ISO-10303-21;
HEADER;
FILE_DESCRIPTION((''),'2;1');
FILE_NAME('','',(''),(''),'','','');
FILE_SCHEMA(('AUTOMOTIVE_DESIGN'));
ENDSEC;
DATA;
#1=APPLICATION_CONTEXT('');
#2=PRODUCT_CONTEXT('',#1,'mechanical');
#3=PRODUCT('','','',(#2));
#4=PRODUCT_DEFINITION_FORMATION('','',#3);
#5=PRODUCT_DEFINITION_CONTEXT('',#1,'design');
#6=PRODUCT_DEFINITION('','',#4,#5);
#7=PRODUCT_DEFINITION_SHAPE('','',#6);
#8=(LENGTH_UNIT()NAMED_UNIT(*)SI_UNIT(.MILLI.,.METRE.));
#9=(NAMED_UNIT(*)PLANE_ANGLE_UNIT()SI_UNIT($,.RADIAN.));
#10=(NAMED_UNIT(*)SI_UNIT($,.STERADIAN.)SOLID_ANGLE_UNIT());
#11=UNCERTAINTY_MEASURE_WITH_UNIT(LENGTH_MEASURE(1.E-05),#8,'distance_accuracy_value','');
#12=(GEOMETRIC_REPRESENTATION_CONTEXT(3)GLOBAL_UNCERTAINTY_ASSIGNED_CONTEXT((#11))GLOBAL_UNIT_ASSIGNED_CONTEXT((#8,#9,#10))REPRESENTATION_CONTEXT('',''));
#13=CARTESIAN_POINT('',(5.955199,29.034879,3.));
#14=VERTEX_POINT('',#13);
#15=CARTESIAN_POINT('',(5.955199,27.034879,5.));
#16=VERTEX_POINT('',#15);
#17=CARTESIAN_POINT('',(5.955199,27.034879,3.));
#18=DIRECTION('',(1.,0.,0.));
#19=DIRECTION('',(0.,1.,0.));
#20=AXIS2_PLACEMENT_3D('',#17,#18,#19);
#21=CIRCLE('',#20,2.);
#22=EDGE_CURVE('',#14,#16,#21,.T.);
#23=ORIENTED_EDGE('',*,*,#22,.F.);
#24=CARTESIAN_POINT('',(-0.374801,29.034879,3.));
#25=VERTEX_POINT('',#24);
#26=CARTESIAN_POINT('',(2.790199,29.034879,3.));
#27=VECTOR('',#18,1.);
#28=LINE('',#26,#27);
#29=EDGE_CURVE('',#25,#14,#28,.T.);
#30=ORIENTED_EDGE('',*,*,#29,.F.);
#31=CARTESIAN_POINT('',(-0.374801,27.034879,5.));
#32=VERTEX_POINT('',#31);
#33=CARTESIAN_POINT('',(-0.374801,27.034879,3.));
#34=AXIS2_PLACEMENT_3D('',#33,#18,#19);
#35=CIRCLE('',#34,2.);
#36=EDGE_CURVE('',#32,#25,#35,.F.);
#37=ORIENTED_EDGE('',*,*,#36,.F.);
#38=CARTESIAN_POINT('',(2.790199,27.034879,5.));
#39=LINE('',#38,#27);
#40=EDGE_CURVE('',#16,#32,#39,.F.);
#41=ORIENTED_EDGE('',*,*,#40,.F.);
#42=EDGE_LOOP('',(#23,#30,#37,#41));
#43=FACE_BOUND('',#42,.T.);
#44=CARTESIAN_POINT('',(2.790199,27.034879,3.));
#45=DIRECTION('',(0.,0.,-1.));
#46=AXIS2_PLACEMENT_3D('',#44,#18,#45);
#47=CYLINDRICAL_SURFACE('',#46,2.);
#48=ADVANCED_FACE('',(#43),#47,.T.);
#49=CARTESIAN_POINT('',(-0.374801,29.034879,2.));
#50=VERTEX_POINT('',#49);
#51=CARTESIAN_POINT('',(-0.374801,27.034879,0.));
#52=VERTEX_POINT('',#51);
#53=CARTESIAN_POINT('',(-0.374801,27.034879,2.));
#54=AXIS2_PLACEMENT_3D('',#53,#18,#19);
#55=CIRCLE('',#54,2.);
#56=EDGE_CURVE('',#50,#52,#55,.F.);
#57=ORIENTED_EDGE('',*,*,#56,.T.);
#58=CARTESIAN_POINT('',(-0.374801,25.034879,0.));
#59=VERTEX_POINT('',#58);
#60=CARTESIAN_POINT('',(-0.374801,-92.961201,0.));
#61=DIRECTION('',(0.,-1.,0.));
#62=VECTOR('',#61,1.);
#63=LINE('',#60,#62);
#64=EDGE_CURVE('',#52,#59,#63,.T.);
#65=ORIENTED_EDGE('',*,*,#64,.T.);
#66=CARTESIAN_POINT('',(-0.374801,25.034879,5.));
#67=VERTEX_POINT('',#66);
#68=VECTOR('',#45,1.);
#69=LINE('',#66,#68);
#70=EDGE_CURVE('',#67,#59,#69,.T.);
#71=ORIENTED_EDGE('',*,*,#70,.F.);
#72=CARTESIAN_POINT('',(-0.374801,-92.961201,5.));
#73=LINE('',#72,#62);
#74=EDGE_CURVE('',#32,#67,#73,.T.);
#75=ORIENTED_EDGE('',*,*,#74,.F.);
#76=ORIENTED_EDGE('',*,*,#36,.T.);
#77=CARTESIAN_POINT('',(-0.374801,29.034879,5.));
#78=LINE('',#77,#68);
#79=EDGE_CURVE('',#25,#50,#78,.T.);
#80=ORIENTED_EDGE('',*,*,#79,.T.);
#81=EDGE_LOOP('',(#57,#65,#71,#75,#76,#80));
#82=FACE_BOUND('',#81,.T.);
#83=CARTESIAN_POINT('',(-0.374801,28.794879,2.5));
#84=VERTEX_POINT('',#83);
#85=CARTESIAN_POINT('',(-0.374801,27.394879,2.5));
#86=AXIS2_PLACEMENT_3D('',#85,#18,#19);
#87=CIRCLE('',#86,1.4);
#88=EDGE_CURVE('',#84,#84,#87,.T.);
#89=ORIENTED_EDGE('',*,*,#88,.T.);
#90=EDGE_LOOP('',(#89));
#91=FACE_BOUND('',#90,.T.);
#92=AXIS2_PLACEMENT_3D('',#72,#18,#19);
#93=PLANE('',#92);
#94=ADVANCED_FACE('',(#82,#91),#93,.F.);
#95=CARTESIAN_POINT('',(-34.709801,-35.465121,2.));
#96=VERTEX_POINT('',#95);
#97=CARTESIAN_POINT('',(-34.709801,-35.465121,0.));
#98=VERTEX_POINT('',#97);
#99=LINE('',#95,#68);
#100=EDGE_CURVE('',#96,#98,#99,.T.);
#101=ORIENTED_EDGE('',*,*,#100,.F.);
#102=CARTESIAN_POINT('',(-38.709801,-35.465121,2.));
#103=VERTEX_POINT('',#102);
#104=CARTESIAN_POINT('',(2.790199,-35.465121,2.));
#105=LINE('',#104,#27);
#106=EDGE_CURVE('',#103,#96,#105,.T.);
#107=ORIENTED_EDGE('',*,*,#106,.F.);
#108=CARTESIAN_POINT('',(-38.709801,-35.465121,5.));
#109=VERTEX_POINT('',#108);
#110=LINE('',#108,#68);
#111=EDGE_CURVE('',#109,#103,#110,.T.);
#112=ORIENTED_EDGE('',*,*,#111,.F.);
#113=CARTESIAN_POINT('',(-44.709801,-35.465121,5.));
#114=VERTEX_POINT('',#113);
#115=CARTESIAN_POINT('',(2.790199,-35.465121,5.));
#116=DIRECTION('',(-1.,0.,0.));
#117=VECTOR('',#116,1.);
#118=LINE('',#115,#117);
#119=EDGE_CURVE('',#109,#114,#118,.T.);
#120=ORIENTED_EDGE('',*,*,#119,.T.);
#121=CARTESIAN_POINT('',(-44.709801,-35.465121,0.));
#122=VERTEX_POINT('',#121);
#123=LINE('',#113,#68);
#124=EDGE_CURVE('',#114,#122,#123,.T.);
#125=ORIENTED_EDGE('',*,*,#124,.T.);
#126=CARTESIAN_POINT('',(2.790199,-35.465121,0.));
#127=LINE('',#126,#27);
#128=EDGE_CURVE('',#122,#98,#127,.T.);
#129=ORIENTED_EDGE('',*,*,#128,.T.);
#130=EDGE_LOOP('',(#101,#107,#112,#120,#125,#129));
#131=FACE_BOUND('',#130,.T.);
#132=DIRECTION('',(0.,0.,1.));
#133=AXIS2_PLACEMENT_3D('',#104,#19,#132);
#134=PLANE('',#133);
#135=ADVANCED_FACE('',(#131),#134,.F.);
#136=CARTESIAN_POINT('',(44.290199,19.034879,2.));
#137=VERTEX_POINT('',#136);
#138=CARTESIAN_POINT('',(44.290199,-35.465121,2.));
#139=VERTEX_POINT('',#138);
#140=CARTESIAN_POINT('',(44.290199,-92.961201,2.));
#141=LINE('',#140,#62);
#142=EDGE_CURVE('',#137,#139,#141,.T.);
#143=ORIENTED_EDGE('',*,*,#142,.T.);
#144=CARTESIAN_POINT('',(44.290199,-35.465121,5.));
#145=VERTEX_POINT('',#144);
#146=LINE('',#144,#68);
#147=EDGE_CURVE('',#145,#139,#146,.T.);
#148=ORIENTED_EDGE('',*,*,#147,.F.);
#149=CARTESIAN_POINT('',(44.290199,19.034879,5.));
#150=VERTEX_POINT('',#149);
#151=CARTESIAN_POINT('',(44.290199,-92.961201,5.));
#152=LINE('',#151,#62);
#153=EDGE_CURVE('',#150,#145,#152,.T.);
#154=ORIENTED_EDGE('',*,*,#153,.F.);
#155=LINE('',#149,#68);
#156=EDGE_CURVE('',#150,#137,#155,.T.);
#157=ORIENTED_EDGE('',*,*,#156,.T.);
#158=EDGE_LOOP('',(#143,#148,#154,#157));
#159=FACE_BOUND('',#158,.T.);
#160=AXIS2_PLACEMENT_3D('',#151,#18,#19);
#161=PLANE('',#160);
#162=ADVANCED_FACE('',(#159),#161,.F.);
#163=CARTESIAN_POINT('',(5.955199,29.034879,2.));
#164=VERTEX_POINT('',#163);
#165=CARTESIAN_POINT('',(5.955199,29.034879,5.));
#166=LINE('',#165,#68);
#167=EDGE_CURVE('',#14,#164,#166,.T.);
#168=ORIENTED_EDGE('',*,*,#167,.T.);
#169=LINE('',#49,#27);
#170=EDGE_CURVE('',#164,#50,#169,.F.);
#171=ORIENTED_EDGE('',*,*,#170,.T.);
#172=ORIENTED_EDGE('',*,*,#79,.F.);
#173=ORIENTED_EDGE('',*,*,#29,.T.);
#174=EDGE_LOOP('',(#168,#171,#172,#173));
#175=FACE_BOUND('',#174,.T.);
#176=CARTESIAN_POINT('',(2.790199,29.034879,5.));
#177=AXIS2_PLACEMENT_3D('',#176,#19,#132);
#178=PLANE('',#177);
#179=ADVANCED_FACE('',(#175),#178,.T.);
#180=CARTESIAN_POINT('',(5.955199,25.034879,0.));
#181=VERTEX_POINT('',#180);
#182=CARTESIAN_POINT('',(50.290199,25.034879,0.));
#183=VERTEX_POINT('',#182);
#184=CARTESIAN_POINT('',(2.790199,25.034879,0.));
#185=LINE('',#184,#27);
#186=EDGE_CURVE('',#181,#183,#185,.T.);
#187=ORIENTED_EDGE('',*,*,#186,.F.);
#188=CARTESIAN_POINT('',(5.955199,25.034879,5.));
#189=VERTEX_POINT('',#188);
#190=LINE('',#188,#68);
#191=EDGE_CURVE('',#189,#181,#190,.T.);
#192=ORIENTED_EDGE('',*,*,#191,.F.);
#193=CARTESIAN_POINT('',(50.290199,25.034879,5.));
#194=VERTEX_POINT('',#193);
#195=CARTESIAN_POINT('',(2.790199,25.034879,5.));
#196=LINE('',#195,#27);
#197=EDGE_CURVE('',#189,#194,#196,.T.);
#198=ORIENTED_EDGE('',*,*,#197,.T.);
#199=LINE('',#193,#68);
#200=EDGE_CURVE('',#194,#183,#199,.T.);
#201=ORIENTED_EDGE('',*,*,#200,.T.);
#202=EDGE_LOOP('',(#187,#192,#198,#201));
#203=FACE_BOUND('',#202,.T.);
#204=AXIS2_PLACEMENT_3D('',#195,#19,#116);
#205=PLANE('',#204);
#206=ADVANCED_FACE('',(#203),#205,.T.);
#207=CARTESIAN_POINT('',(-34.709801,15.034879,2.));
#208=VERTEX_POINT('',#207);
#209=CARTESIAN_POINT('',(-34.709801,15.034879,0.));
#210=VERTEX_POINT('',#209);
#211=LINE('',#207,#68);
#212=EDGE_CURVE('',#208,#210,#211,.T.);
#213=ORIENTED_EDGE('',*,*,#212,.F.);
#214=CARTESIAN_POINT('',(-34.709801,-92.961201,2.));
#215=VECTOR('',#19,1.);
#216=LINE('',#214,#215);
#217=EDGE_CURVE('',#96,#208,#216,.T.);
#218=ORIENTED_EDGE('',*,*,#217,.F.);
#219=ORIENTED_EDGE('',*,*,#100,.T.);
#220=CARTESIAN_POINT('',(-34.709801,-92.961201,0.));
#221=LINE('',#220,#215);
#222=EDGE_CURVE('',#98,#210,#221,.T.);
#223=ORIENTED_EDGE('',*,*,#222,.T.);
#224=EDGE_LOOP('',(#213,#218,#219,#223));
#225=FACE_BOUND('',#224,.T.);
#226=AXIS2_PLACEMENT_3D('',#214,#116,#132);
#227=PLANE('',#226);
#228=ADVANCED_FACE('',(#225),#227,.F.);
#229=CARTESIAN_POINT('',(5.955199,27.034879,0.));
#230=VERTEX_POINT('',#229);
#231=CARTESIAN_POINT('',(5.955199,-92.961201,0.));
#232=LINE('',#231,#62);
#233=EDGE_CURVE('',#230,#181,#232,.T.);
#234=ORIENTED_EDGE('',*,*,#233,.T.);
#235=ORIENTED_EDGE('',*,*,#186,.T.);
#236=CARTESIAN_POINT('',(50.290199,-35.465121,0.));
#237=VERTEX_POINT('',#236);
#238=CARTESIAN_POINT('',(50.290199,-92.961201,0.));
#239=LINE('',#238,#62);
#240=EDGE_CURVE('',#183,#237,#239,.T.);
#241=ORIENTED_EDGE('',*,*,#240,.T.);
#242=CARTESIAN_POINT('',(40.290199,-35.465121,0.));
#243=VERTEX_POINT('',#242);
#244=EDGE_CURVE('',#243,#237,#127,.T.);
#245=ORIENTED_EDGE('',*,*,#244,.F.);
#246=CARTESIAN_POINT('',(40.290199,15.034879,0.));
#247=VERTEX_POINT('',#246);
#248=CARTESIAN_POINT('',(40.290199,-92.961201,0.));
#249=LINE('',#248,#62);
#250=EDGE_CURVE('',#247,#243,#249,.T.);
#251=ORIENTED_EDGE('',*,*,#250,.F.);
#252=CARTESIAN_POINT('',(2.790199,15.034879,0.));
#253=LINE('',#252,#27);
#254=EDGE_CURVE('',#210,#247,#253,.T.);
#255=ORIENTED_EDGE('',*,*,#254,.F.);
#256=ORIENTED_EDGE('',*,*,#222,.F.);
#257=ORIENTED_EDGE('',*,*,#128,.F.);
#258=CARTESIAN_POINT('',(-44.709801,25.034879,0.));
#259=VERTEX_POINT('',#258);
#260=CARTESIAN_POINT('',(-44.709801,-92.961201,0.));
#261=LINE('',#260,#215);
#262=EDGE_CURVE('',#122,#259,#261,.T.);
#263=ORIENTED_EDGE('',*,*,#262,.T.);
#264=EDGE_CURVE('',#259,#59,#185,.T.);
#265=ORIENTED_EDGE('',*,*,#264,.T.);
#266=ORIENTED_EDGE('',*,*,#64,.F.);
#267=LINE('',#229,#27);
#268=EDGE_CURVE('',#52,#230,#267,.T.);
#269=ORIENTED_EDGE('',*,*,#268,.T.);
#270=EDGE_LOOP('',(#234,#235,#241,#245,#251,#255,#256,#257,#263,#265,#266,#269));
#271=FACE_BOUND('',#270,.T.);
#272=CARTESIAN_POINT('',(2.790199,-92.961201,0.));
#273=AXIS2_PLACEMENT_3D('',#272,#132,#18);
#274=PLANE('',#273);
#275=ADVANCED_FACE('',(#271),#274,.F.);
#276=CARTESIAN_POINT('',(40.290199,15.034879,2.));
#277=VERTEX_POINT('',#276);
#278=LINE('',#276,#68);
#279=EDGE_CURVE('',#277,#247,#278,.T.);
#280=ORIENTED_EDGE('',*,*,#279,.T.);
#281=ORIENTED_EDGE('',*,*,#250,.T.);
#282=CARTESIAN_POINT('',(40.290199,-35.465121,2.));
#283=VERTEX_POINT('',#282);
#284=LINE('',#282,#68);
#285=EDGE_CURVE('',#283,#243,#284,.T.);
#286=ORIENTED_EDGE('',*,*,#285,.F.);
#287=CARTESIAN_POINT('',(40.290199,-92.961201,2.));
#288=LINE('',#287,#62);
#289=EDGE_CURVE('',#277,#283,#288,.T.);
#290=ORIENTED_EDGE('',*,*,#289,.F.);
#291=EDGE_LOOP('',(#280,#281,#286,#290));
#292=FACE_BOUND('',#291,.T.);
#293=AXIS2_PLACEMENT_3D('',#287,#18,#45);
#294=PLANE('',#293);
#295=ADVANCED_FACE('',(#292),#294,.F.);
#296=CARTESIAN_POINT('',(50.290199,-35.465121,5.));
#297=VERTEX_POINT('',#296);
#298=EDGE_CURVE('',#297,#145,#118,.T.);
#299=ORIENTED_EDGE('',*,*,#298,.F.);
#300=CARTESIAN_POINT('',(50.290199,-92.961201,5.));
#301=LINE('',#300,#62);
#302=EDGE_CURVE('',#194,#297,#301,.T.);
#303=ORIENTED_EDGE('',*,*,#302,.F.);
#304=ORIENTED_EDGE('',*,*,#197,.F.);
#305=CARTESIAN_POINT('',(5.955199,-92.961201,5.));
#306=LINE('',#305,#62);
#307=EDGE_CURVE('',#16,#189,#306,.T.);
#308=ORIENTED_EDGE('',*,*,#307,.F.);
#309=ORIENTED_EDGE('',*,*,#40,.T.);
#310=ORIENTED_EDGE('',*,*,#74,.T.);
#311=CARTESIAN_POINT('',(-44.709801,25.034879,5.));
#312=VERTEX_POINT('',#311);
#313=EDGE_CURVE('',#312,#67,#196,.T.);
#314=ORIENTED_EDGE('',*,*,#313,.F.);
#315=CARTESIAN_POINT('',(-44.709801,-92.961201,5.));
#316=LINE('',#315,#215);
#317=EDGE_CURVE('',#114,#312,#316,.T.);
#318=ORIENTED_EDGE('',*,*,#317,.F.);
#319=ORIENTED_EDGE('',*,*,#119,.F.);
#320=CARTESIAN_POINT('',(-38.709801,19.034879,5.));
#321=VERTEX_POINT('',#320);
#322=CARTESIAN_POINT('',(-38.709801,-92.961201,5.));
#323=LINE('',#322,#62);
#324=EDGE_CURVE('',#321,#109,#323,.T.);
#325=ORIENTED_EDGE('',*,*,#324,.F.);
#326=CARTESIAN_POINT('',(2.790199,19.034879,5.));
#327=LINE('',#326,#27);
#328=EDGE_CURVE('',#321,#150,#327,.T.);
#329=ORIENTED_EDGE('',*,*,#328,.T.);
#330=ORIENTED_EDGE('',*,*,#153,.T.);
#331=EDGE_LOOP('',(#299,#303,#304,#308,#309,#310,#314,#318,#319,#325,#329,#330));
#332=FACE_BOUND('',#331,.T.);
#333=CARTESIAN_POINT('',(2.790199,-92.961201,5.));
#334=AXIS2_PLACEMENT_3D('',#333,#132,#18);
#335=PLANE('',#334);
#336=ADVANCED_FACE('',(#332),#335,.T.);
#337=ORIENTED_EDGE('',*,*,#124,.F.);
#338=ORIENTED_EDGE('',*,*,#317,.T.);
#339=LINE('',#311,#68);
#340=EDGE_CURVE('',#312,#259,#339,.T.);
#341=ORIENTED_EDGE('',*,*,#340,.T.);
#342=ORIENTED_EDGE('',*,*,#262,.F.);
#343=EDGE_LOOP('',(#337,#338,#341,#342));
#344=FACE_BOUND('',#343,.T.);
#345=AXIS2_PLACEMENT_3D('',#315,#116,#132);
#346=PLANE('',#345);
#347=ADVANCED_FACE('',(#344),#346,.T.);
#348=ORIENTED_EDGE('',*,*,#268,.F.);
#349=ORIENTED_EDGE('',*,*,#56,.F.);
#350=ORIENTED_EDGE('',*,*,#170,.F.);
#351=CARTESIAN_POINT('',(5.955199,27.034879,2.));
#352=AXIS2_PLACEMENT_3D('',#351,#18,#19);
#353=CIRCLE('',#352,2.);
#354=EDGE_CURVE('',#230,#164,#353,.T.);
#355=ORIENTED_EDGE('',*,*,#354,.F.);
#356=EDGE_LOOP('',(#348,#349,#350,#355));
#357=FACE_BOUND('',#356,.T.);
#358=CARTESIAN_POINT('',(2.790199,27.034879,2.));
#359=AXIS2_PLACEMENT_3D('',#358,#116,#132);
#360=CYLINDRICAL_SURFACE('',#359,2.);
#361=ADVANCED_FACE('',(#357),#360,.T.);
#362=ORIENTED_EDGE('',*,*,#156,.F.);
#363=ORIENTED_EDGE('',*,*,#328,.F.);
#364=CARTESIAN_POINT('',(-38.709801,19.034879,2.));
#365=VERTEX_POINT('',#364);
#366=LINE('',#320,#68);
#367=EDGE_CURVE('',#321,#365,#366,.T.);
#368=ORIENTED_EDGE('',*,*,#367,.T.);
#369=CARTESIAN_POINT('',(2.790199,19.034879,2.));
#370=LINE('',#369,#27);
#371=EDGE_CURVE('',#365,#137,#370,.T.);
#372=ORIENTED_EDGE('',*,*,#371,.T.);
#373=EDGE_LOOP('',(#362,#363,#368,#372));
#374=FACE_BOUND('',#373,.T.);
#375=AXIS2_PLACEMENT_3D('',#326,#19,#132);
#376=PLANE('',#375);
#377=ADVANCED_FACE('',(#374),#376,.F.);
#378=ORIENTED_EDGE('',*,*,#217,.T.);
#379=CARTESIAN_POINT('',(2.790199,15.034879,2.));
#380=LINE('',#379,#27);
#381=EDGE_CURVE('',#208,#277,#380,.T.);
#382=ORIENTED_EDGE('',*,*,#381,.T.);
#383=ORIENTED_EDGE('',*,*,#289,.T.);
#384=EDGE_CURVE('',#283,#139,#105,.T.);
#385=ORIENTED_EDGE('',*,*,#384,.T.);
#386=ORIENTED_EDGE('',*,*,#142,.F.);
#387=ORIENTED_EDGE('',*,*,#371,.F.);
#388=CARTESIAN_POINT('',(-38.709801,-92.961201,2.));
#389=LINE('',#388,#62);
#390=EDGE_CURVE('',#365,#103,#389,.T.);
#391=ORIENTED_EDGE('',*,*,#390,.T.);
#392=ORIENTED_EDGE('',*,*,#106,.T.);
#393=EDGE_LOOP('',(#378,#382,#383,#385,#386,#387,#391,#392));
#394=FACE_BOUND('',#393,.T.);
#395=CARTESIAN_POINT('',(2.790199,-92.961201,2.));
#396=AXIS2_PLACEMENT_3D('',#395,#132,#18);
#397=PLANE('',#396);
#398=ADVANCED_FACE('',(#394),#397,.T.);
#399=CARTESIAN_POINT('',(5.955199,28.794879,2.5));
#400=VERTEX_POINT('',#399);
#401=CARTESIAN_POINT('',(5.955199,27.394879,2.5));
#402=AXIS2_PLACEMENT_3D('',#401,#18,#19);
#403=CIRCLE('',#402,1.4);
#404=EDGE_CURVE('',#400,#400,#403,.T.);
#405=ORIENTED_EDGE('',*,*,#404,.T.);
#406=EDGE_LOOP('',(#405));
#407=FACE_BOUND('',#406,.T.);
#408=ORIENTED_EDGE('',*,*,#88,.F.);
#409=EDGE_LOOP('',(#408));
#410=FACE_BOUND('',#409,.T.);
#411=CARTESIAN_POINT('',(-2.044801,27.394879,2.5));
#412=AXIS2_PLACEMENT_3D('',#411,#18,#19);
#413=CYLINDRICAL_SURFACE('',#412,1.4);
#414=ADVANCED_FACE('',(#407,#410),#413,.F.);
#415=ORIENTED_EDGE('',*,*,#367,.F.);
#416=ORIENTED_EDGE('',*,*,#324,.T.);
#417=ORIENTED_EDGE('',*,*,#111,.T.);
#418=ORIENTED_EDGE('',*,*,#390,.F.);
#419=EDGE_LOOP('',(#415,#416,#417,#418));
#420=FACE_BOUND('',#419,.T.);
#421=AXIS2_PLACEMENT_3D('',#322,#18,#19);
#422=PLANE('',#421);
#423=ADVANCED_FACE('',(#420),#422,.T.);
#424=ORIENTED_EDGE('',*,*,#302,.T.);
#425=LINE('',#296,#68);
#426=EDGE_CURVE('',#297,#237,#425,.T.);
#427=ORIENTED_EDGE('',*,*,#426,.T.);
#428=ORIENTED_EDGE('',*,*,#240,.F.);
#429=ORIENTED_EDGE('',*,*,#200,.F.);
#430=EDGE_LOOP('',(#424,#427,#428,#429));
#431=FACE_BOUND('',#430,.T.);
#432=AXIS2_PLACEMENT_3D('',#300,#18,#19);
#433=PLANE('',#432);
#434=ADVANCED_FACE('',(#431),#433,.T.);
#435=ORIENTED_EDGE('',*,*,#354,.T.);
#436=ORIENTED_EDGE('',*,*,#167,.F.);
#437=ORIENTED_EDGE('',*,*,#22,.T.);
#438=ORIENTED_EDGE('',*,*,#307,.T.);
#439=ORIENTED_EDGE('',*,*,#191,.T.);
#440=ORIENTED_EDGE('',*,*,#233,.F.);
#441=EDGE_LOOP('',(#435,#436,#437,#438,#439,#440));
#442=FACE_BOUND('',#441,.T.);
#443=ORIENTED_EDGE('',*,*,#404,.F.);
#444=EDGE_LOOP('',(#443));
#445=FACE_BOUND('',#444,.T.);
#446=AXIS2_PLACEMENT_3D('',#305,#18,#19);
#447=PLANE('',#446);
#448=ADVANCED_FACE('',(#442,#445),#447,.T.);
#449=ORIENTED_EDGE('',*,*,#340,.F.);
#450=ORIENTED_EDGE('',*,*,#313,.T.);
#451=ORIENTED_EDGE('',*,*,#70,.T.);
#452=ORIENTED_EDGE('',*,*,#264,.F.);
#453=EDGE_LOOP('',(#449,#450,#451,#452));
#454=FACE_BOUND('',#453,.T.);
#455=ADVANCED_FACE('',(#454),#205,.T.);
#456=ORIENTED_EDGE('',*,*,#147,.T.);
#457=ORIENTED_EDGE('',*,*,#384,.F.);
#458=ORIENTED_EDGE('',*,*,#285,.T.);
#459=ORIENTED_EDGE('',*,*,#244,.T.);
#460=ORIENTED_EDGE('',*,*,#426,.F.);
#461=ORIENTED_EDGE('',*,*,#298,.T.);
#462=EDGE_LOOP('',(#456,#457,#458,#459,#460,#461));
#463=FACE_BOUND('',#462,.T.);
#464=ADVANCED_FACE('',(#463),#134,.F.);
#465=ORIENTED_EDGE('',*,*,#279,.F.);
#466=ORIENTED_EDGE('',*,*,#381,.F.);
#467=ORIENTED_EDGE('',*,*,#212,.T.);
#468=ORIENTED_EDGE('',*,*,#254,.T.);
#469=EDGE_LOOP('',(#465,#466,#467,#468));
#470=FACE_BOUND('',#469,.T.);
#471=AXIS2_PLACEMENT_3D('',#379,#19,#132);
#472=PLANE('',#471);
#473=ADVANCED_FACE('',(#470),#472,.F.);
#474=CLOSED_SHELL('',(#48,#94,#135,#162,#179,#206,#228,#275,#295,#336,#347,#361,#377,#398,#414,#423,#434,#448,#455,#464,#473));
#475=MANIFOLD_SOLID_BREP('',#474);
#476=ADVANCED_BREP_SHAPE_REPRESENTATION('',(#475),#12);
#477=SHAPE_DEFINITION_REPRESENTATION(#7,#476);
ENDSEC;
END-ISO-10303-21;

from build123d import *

# Parameters (mm, degrees)
BOSS_EXTRUDE1_DEPTH = 2
BOSS_EXTRUDE2_DEPTH = 5
SKETCH2_R           = 1.4
CUT_EXTRUDE1_DEPTH  = 8
FILLET1_R           = 2


with BuildPart() as part:
    # Sketch1 → Boss-Extrude1 (new body)
    with BuildSketch(Plane.XY):
        Polygon((-38.709801473, -35.46512078), (-34.709801473, -35.46512078), (-34.709801473, 15.03487922), (40.290198527, 15.03487922), (40.290198527, -35.46512078), (44.290198527, -35.46512078), (44.290198527, 19.03487922), (-38.709801473, 19.03487922), align=None)
    extrude(amount=BOSS_EXTRUDE1_DEPTH)

    # Sketch1_4 → Boss-Extrude2 (add)
    with BuildSketch(Plane.XY):
        Polygon((-44.709801473, -35.46512078), (-38.709801473, -35.46512078), (-38.709801473, 19.03487922), (44.290198527, 19.03487922), (44.290198527, -35.46512078), (50.290198527, -35.46512078), (50.290198527, 25.03487922), (5.955198527, 25.03487922), (5.955198527, 29.03487922), (-0.374801473, 29.03487922), (-0.374801473, 25.03487922), (-44.709801473, 25.03487922), align=None)
    extrude(amount=BOSS_EXTRUDE2_DEPTH)

    # Sketch2 → Cut-Extrude1 (cut)
    with BuildSketch(Plane(origin=(5.955198527, 0, 0), x_dir=(0, 0, -1), z_dir=(1, 0, 0))):
        with Locations((-2.5, 27.39487922)):
            Circle(SKETCH2_R)
    extrude(amount=-CUT_EXTRUDE1_DEPTH, mode=Mode.SUBTRACT)

    # Fillet1
    fillet1_edges = [part.edges().sort_by_distance(p)[0] for p in [
        (2.790198527, 29.03487922, 0),
        (2.790198527, 29.03487922, 5),
    ]]
    fillet(fillet1_edges, radius=FILLET1_R)


solid = part.part
